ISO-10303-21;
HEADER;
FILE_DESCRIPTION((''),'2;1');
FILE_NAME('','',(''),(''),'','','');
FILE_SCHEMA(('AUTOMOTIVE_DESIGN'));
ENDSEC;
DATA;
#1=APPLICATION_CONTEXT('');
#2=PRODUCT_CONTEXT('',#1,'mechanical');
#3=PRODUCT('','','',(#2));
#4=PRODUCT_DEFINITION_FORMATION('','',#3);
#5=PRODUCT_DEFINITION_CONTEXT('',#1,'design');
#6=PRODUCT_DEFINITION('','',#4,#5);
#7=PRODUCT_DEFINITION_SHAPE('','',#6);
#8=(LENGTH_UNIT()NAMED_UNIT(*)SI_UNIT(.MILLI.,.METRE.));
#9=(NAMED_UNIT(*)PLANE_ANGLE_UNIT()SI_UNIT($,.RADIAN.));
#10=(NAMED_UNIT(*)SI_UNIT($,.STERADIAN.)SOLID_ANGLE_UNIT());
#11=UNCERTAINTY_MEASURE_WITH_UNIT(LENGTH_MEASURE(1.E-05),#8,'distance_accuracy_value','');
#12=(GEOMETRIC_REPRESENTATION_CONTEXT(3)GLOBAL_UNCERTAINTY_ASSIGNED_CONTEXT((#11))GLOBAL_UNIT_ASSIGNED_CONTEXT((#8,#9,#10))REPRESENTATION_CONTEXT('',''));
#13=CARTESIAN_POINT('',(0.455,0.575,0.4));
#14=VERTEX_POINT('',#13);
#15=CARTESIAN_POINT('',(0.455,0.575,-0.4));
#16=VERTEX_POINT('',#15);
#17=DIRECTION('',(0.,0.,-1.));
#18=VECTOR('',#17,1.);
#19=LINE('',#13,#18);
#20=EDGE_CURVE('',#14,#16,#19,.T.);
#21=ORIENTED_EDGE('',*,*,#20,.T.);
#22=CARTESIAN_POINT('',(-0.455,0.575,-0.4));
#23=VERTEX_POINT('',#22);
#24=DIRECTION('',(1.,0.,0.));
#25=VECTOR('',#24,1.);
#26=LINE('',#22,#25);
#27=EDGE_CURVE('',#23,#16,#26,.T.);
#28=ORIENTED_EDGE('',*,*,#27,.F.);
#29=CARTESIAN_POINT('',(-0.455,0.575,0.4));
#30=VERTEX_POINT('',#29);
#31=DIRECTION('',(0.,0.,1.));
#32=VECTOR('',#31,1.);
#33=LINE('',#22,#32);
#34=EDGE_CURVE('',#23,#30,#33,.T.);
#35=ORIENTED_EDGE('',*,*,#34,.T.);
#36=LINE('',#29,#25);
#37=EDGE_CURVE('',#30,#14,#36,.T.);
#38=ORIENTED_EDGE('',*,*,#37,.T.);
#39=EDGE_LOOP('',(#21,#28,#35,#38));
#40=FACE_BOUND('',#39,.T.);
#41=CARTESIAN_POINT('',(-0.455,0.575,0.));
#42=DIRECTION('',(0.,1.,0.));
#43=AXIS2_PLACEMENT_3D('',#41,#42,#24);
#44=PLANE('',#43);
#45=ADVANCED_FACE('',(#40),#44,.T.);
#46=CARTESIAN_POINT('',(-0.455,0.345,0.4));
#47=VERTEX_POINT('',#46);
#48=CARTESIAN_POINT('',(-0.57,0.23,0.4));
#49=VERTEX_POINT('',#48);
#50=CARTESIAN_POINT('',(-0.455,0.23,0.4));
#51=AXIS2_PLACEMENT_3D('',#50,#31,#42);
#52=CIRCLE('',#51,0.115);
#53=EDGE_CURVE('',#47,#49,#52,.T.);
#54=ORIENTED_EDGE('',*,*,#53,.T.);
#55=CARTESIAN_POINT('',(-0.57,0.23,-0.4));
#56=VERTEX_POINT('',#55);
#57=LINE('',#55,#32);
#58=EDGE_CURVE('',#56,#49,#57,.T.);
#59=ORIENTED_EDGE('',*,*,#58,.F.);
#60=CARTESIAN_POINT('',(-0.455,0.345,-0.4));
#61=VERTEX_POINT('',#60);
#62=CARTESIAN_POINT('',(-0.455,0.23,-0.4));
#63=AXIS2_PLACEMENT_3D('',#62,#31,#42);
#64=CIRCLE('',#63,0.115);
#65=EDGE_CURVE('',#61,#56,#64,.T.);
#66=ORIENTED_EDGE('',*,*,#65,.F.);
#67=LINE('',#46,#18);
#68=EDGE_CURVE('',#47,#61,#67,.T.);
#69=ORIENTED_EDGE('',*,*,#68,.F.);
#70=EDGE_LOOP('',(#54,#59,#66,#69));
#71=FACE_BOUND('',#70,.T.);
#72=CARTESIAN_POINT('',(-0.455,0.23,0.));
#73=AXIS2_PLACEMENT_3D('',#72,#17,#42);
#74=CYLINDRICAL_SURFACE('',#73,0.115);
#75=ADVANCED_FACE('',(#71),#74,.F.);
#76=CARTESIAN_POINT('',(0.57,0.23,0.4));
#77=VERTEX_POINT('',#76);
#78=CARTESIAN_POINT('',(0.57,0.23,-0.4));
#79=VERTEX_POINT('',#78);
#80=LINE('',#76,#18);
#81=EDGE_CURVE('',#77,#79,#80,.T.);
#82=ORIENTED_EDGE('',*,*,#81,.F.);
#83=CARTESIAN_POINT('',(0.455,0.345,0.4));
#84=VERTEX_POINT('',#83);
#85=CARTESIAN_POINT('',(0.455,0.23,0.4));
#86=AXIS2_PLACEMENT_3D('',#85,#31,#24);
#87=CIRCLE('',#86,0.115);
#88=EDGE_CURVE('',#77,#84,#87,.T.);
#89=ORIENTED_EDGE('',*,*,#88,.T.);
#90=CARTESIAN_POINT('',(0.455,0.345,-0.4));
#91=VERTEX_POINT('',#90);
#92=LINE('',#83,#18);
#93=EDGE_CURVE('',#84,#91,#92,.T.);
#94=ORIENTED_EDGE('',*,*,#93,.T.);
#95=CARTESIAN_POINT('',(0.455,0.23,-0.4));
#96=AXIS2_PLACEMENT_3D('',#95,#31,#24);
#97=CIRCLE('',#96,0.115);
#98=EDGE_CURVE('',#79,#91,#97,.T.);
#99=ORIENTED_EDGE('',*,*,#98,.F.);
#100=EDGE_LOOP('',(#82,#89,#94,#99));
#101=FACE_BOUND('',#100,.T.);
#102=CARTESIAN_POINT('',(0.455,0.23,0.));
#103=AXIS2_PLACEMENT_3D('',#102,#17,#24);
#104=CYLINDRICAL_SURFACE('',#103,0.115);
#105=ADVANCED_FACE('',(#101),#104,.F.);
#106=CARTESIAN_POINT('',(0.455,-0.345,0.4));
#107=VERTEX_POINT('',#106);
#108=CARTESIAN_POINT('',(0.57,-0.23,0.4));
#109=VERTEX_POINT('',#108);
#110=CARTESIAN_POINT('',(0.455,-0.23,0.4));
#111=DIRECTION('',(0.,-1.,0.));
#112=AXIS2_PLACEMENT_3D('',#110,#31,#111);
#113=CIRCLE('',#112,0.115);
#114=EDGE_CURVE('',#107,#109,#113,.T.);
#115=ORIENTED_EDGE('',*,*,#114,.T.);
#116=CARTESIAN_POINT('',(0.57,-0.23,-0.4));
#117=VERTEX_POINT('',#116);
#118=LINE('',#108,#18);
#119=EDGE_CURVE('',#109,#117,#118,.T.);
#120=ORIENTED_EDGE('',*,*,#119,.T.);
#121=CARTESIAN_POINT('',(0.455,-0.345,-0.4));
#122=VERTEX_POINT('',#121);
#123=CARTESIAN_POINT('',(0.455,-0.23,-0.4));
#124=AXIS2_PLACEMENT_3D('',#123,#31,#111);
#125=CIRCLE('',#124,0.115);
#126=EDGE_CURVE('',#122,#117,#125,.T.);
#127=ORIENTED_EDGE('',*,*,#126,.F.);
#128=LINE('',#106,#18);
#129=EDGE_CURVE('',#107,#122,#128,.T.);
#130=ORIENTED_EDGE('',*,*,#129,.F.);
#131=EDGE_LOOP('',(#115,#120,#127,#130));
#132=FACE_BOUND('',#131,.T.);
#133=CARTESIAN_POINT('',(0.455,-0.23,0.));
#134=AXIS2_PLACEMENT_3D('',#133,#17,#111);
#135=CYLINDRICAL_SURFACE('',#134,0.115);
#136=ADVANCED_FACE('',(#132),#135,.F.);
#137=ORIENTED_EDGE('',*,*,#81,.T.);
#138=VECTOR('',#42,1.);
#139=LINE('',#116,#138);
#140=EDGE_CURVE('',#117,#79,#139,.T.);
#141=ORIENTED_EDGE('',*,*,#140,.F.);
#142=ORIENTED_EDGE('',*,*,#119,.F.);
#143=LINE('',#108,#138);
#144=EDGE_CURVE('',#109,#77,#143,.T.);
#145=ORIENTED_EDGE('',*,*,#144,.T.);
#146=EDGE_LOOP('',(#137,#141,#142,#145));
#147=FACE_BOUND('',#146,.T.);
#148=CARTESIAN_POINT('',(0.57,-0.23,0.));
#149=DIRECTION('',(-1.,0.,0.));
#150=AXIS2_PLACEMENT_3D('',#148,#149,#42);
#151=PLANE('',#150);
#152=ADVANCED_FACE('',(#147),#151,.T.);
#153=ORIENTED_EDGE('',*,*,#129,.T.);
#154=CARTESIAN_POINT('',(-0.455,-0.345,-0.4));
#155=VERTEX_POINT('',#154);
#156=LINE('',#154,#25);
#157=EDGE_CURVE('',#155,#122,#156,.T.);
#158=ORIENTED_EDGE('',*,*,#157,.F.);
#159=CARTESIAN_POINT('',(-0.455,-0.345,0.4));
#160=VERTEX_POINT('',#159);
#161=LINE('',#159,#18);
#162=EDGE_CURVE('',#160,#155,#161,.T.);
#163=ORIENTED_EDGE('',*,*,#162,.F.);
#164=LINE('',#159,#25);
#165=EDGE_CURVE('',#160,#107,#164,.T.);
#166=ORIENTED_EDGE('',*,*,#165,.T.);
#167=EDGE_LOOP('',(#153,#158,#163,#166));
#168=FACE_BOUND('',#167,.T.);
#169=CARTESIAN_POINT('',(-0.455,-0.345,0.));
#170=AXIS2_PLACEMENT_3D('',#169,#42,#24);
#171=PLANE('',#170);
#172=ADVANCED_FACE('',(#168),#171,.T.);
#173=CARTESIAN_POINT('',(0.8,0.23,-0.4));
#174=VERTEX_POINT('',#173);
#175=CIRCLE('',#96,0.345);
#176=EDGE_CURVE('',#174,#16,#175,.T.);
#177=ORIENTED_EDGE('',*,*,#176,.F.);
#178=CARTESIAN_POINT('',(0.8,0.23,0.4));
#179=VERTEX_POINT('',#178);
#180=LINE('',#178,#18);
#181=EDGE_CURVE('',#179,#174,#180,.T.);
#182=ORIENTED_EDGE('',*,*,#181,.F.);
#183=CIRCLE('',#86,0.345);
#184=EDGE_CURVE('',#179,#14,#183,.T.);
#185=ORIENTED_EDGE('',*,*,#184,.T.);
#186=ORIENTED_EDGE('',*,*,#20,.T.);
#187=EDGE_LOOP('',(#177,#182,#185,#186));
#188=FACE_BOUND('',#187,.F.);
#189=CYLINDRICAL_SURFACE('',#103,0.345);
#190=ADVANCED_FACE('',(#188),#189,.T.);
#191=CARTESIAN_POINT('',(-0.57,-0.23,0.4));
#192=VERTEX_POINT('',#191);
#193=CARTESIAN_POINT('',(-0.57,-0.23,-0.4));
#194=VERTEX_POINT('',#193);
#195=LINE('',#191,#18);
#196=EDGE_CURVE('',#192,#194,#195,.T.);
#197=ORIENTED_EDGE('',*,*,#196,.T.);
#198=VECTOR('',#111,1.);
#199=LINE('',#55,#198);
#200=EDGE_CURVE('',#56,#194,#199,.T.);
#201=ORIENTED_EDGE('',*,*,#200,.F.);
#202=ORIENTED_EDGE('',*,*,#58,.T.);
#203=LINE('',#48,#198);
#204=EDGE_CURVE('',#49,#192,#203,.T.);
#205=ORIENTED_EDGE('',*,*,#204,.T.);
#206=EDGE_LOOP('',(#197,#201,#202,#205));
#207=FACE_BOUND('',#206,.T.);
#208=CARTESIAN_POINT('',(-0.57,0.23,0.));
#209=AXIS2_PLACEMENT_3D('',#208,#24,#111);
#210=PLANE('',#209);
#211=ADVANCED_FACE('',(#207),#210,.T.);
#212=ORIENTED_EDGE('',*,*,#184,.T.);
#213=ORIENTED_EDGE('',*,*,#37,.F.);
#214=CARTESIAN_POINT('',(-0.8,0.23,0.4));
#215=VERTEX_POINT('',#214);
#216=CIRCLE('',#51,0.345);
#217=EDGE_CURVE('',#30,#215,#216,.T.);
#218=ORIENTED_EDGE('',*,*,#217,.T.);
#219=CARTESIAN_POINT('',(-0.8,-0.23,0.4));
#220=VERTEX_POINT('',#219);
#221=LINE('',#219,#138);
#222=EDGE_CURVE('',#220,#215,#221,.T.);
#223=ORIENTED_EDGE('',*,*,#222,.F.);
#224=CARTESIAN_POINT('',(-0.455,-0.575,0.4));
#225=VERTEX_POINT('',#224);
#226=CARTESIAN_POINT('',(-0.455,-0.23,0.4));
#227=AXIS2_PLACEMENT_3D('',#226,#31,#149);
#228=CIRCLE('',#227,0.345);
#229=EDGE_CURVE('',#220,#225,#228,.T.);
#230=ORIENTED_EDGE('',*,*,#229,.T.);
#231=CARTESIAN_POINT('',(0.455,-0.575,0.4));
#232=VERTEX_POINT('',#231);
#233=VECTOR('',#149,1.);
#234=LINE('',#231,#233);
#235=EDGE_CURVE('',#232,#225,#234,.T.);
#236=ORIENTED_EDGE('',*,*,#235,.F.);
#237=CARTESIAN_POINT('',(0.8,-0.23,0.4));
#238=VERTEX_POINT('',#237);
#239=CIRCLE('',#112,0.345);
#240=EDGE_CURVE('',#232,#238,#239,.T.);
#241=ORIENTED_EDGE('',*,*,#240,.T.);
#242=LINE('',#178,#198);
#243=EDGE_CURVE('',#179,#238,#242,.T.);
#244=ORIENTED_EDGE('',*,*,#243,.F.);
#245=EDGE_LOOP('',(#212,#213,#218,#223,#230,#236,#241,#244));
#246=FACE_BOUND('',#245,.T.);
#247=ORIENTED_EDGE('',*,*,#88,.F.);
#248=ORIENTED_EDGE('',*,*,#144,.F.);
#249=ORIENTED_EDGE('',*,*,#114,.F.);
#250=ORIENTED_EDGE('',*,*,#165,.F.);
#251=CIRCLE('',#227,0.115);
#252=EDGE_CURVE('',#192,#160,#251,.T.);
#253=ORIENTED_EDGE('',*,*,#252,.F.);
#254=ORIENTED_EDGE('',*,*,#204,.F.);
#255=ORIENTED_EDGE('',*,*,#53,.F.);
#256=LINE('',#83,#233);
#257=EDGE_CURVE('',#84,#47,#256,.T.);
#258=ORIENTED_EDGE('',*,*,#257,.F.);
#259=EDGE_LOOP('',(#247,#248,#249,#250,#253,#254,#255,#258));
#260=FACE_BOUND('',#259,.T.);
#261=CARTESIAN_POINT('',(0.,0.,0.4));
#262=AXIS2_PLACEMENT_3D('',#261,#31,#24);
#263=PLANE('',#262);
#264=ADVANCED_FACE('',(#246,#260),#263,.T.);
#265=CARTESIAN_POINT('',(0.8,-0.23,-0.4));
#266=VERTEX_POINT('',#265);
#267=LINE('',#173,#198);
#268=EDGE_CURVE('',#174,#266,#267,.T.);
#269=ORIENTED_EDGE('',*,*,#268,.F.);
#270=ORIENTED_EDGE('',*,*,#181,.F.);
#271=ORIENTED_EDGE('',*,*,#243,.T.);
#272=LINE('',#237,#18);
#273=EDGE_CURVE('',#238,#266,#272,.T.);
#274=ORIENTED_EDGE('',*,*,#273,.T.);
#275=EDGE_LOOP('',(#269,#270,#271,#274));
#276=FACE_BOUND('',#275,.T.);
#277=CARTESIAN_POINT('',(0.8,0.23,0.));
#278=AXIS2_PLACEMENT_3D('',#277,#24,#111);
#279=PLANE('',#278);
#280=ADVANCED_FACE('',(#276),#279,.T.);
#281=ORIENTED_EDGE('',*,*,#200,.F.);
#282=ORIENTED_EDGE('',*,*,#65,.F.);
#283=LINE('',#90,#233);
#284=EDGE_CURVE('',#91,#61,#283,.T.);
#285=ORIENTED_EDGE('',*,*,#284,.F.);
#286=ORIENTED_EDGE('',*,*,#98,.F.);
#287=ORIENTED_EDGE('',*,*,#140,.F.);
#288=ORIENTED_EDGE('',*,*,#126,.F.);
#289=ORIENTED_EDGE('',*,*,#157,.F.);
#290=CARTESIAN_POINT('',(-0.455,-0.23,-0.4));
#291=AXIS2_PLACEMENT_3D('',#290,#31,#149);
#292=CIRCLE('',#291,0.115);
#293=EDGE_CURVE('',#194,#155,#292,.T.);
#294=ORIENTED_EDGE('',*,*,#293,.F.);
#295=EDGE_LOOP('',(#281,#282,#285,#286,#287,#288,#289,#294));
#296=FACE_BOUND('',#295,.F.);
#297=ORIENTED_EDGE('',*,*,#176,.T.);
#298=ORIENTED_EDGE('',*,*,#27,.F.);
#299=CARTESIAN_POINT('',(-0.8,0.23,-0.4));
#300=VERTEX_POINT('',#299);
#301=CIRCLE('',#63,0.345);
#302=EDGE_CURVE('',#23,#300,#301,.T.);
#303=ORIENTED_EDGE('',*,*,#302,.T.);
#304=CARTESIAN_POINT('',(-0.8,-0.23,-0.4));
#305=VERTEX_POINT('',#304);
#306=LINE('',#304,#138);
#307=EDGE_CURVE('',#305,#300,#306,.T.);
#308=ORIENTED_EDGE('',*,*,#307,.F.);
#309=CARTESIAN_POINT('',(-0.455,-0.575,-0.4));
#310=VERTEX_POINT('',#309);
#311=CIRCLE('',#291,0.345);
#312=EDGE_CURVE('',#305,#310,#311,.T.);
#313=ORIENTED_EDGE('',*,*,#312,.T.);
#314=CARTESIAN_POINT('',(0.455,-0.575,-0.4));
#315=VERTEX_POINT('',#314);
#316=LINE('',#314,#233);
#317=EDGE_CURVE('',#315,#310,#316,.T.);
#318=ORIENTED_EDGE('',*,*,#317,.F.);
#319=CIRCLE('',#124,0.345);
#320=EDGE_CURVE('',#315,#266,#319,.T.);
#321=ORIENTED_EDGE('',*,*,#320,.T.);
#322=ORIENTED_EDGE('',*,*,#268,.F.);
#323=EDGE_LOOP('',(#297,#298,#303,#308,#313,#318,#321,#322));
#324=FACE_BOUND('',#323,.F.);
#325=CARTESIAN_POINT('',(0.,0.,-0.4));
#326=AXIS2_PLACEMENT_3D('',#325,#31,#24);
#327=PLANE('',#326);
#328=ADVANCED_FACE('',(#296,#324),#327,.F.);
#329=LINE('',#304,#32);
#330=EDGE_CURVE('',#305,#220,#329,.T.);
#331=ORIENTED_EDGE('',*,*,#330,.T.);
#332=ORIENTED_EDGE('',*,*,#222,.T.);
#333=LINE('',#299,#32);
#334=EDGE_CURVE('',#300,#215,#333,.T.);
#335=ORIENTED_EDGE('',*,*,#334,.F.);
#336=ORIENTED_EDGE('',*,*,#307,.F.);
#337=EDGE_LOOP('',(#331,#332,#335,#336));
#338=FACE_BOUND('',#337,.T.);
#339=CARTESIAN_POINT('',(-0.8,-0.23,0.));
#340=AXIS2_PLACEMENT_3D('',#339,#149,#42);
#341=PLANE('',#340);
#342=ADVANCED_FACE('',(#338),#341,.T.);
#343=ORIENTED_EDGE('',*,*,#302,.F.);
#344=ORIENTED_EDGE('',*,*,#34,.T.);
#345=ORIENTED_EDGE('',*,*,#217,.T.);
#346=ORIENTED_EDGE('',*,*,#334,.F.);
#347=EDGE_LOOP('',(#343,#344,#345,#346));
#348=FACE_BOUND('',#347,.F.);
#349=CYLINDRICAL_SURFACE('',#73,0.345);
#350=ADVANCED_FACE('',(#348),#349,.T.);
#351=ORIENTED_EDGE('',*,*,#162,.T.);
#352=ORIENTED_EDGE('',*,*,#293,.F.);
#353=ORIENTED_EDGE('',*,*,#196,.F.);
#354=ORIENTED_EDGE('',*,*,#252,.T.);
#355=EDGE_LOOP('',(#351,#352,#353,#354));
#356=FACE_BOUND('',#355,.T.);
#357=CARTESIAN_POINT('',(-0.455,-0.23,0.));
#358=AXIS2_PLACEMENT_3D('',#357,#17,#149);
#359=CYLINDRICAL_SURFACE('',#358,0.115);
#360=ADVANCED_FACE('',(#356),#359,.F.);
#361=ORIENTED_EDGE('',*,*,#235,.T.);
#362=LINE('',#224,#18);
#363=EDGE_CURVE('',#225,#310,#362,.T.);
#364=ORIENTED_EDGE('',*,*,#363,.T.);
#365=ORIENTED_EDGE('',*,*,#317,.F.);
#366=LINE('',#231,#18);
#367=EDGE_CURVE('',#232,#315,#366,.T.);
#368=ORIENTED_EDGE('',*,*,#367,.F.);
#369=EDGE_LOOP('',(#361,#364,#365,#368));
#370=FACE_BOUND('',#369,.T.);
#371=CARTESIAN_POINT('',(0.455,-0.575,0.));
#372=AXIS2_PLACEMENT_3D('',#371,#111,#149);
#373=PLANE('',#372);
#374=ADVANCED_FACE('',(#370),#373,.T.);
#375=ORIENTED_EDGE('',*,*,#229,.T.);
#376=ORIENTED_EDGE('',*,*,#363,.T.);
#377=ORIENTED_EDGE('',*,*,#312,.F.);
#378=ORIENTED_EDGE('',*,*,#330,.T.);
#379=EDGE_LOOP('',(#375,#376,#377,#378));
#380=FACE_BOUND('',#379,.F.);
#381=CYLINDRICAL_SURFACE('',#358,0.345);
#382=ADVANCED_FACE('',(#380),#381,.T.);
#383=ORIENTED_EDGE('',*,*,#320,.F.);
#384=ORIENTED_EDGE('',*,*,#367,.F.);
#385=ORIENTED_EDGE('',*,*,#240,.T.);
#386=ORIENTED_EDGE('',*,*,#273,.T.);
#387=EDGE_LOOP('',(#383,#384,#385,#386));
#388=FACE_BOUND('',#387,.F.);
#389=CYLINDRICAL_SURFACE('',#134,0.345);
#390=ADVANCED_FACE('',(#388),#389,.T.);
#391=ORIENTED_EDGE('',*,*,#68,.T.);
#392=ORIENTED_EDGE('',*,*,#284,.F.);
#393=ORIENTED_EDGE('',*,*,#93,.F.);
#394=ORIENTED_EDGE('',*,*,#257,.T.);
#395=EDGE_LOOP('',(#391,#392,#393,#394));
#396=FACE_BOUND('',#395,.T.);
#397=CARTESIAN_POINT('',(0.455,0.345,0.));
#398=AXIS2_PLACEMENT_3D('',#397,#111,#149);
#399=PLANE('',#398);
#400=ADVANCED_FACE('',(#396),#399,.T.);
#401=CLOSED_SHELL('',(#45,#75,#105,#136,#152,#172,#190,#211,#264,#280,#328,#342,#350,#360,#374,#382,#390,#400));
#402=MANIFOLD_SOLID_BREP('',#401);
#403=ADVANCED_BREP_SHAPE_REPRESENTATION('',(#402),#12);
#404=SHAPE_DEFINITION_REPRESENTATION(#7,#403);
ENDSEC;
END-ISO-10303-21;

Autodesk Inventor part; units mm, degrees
ref_plane "YZ Plane" through (0, 0, 0) normal (1, 0, 0) x (0, 1, 0)
ref_plane "XZ Plane" through (0, 0, 0) normal (0, 1, 0) x (-1, 0, 0)
ref_plane "XY Plane" through (0, 0, 0) normal (0, 0, 1) x (1, 0, 0)
sketch "Sketch1" plane through (0, 0, 0) normal (0, 0, 1) x (1, 0, 0)
  line L0 (-0.455, 0.575) -> (0.455, 0.575)
  line L1 (0.8, 0.23) -> (0.8, -0.23)
  line L2 (0.455, -0.575) -> (-0.455, -0.575)
  line L3 (-0.8, -0.23) -> (-0.8, 0.23)
  arc A0 (-0.455, 0.575) -> (-0.8, 0.23) centre (-0.455, 0.23) ccw
  arc A1 (0.8, 0.23) -> (0.455, 0.575) centre (0.455, 0.23) ccw
  arc A2 (0.455, -0.575) -> (0.8, -0.23) centre (0.455, -0.23) ccw
  arc A3 (-0.8, -0.23) -> (-0.455, -0.575) centre (-0.455, -0.23) ccw
  line L4 (-0.57, 0.23) -> (-0.57, -0.23)
  arc A4 (-0.57, -0.23) -> (-0.455, -0.345) centre (-0.455, -0.23) ccw
  line L5 (-0.455, -0.345) -> (0.455, -0.345)
  arc A5 (0.455, -0.345) -> (0.57, -0.23) centre (0.455, -0.23) ccw
  line L6 (0.57, -0.23) -> (0.57, 0.23)
  arc A6 (0.57, 0.23) -> (0.455, 0.345) centre (0.455, 0.23) ccw
  line L7 (0.455, 0.345) -> (-0.455, 0.345)
  arc A7 (-0.455, 0.345) -> (-0.57, 0.23) centre (-0.455, 0.23) ccw
  point P0 (0, 0)
  point P1 (-0.8, 0.575)
  point P2 (0.8, 0.575)
  point P3 (-0.8, -0.575)
  point P4 (0, 0.575)
  point P5 (-0.8, 0)
  dimension "d0" = 1.6
  dimension "d1" = 1.15
  dimension "d3" = 0.23
  dimension "d4" = 0.115
extrude "Extrusion1" add sketch "Sketch1" along normal mid plane 0.8
equation "\"d4\" = 0.5 * d3"
properties material "Zinc"
